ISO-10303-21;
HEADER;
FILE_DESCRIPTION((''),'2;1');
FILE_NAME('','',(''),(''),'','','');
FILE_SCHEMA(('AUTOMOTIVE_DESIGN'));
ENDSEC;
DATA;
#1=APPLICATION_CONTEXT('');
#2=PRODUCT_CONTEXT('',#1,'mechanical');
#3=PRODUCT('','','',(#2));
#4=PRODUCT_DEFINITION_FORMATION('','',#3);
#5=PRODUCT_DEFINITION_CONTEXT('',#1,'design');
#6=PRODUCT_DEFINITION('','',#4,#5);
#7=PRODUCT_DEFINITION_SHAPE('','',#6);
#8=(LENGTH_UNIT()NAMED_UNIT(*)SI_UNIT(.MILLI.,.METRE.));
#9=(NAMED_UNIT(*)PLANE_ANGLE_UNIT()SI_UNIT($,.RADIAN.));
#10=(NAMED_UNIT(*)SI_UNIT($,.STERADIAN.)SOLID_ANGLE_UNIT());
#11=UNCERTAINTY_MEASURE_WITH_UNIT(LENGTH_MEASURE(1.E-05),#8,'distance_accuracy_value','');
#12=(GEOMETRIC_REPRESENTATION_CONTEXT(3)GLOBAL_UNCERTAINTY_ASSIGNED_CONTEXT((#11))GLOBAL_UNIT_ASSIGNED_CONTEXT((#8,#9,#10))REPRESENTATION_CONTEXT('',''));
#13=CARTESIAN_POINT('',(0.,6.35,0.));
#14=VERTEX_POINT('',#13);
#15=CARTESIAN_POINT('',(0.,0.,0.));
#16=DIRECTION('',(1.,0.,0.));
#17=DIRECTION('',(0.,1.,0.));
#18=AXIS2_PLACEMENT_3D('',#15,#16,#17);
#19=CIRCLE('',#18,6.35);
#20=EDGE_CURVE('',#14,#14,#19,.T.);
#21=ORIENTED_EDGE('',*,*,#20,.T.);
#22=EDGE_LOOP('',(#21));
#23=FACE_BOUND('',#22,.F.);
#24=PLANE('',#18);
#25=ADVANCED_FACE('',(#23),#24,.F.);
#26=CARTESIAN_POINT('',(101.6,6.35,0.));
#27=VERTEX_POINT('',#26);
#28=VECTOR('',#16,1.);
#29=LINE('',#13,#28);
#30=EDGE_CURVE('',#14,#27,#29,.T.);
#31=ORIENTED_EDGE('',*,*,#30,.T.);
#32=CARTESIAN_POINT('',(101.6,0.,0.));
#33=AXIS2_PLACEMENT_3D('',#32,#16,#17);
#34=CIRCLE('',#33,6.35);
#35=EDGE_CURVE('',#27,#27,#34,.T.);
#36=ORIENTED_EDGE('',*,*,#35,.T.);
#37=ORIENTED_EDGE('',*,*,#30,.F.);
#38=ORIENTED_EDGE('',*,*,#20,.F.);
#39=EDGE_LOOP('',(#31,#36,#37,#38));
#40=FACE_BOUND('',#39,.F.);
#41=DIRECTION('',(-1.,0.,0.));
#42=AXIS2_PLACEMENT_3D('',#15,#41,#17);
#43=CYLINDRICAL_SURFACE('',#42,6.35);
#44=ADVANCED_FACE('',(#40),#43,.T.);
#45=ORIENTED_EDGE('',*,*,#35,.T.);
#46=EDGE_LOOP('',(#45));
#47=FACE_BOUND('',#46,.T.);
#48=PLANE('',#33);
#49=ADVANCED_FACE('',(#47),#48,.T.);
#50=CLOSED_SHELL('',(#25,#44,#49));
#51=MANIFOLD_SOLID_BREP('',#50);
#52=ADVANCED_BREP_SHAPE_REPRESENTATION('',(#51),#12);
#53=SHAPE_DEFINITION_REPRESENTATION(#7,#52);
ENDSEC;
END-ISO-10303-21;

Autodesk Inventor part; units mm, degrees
ref_plane "YZ Plane" through (0, 0, 0) normal (1, 0, 0) x (0, 1, 0)
ref_plane "XZ Plane" through (0, 0, 0) normal (0, 1, 0) x (-1, 0, 0)
ref_plane "XY Plane" through (0, 0, 0) normal (0, 0, 1) x (1, 0, 0)
sketch "Sketch1" plane through (0, 0, 0) normal (1, 0, 0) x (0, 1, 0)
  circle A0 centre (0, 0) radius 6.35
  dimension "d0" = 12.7
extrude "Extrusion1" add sketch "Sketch1" along normal blind 101.6
properties part number "Shaft"
